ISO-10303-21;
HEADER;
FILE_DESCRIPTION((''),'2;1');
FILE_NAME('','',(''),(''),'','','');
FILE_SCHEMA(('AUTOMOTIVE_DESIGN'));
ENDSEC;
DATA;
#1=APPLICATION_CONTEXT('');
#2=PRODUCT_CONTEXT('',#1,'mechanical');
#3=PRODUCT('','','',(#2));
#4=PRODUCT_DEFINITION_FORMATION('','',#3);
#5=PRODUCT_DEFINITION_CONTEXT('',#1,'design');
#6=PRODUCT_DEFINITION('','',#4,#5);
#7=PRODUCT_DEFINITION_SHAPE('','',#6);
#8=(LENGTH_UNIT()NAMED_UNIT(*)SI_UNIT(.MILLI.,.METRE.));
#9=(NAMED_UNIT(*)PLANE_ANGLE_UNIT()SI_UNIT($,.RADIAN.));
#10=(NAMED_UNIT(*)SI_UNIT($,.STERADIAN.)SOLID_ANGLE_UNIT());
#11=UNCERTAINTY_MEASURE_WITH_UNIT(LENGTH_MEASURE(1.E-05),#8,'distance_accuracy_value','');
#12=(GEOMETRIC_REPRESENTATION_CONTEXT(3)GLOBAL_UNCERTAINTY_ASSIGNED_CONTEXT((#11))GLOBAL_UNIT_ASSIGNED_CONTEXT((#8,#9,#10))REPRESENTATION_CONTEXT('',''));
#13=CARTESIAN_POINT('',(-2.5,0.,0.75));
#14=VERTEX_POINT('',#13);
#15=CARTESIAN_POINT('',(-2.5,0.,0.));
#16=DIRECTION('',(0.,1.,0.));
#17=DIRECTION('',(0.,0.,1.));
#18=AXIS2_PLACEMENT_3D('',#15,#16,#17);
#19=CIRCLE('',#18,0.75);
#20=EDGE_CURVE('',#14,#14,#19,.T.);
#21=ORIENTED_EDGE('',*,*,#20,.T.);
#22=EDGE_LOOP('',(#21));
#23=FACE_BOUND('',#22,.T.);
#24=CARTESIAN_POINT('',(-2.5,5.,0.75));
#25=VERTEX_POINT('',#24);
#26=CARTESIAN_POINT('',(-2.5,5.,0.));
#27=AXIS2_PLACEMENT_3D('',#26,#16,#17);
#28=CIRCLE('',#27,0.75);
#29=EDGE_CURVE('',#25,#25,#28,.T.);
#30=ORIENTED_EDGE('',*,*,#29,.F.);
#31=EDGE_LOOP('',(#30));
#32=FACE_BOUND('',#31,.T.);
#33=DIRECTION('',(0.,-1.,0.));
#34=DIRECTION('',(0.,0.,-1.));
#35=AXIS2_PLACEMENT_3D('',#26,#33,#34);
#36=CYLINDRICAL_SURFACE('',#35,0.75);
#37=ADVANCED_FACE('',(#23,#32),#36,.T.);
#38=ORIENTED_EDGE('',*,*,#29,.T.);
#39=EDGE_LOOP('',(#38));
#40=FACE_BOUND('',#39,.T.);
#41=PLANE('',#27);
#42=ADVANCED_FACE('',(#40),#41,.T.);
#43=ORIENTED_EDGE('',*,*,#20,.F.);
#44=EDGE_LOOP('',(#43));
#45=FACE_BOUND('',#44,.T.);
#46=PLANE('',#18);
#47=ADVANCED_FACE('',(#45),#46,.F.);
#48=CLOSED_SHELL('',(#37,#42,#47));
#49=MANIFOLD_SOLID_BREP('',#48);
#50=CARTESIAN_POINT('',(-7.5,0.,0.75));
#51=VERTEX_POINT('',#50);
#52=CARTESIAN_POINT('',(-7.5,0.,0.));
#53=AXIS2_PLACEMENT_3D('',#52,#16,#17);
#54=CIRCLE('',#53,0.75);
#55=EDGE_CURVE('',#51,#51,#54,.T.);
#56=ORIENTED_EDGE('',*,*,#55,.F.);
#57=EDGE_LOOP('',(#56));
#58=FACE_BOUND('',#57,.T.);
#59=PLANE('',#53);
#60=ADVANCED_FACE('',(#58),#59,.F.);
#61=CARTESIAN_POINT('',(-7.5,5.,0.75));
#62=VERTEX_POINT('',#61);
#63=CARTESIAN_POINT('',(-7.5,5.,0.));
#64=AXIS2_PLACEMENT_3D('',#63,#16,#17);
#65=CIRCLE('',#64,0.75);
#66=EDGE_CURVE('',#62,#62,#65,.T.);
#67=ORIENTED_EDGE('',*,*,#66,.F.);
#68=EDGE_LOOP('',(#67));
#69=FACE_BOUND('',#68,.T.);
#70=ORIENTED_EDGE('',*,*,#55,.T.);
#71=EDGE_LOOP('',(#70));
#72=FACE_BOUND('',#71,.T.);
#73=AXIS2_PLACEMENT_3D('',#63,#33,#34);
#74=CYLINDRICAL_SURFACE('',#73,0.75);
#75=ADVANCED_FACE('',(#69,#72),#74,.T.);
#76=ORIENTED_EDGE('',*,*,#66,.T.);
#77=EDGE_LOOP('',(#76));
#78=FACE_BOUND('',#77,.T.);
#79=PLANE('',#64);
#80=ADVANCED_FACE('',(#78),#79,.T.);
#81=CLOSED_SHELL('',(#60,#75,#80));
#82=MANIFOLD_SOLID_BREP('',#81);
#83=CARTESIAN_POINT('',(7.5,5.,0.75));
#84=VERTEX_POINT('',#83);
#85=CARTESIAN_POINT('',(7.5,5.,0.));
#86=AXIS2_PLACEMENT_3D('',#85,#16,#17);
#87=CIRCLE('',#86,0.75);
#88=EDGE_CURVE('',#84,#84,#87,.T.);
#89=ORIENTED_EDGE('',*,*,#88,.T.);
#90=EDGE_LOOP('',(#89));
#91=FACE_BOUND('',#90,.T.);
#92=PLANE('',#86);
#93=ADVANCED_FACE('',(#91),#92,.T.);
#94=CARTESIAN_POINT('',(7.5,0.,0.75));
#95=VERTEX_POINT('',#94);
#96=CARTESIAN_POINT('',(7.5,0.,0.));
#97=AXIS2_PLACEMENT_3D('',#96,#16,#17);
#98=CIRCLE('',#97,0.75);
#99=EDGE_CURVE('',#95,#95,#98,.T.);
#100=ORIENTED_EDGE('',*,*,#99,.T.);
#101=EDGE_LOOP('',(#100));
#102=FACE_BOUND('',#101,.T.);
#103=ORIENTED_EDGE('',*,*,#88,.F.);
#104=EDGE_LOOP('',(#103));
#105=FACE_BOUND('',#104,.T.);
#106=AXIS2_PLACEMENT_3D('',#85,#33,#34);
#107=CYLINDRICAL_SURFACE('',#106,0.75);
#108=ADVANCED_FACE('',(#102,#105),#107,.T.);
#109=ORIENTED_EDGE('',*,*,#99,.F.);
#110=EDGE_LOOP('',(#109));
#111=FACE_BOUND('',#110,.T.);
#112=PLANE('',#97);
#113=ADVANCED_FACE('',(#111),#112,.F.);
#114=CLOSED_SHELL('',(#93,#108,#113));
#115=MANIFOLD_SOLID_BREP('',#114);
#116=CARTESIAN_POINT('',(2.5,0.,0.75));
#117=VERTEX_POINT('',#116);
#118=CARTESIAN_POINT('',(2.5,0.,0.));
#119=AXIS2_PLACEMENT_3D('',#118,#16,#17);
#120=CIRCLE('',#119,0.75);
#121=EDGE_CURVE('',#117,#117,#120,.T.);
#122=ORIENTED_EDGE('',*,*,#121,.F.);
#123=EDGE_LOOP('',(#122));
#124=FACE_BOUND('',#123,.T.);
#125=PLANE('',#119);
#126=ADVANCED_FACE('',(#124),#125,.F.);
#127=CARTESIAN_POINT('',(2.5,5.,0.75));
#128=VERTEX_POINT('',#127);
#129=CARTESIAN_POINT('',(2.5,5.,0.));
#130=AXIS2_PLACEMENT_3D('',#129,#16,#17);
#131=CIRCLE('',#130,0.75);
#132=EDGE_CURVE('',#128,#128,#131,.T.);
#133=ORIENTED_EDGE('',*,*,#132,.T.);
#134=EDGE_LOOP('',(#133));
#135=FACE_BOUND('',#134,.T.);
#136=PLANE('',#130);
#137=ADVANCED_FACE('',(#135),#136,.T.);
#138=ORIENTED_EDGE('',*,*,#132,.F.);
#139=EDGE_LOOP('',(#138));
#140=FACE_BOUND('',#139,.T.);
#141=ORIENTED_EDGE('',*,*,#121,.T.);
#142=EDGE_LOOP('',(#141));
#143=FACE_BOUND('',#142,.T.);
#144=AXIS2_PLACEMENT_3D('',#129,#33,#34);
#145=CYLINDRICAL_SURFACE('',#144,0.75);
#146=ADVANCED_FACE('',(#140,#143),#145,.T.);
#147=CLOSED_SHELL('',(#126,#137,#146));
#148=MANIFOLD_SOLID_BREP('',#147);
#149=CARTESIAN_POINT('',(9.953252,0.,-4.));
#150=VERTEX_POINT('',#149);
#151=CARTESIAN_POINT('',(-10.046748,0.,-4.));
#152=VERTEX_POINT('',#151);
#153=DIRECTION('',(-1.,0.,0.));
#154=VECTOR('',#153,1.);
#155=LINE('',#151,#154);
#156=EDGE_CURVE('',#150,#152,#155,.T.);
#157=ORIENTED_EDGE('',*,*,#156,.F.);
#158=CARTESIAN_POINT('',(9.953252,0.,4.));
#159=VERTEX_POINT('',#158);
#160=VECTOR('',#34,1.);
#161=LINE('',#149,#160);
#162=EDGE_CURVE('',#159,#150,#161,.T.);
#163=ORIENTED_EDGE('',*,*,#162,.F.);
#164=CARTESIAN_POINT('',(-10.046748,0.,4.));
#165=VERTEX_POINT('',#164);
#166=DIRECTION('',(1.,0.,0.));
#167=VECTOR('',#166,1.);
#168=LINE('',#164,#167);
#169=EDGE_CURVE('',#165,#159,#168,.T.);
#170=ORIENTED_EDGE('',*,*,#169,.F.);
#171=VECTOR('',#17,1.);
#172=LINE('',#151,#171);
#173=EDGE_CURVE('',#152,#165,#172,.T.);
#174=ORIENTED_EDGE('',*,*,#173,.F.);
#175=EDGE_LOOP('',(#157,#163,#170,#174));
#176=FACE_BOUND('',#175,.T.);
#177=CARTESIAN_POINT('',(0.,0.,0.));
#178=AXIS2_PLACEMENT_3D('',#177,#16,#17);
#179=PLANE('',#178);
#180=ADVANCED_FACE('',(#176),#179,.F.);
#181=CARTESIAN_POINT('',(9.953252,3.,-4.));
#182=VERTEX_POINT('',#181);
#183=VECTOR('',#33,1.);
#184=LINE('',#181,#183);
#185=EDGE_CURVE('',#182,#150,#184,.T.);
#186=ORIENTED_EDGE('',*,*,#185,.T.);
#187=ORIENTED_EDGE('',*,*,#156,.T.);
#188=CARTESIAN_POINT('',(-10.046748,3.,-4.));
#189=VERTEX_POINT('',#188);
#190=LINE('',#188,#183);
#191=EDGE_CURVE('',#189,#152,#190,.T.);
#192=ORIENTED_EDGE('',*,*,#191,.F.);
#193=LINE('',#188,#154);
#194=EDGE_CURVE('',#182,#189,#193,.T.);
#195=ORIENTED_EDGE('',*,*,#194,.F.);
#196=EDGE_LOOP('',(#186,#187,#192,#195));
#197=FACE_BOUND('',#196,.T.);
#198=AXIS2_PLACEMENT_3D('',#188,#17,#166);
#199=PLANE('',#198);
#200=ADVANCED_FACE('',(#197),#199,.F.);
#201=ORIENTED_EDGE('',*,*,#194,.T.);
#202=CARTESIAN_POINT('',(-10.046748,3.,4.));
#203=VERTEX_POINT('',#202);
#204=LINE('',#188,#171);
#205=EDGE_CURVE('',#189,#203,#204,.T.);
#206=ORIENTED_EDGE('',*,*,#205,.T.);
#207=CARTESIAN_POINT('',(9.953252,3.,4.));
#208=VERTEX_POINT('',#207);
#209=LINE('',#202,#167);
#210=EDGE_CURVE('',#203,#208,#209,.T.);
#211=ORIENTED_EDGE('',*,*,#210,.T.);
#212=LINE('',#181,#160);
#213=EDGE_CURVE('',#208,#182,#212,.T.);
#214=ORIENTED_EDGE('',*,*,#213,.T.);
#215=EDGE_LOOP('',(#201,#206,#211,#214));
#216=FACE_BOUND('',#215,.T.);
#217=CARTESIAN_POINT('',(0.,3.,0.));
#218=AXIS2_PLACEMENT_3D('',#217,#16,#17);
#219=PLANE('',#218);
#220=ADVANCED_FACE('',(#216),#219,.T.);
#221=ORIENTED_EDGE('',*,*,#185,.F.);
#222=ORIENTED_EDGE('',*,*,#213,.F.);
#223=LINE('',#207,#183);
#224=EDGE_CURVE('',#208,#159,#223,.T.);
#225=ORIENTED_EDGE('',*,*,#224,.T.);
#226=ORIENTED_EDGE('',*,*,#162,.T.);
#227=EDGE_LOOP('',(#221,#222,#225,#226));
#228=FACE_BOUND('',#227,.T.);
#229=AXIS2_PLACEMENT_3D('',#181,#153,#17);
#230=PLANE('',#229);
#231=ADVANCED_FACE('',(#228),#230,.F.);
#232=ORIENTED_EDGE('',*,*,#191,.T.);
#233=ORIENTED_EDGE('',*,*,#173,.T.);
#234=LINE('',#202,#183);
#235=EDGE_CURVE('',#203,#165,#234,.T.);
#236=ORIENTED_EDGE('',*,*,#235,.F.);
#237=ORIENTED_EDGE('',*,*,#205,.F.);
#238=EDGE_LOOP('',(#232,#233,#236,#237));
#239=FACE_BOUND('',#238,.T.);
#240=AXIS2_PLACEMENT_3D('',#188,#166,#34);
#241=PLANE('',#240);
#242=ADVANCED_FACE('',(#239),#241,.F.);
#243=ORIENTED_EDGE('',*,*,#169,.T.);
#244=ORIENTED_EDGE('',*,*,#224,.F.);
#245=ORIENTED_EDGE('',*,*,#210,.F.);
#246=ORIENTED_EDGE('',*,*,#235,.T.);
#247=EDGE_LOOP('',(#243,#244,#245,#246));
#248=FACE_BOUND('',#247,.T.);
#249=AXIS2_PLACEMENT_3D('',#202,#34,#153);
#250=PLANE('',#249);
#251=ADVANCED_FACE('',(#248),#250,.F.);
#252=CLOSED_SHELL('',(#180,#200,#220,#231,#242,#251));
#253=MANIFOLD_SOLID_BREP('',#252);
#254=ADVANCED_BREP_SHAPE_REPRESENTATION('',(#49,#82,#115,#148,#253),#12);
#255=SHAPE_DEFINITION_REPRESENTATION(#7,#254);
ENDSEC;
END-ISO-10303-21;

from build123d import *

# Parameters (mm, degrees)
SKETCH1_W             = 20
SKETCH1_H             = 8
BOSS_EXTRUDE1_DEPTH   = 3
SKETCH2_R             = 0.75
BOSS_EXTRUDE2_DEPTH   = 5
BOSS_EXTRUDE2_2_DEPTH = 5
BOSS_EXTRUDE2_3_DEPTH = 5
BOSS_EXTRUDE2_4_DEPTH = 5


with BuildPart() as part:
    # Sketch1 → Boss-Extrude1 (new body)
    with BuildSketch(Plane(origin=(0, 0, 0), x_dir=(1, 0, 0), z_dir=(0, 1, 0))):
        with Locations((-0.046747686, 0)):
            Rectangle(SKETCH1_W, SKETCH1_H)
    extrude(amount=BOSS_EXTRUDE1_DEPTH)


with BuildPart() as body_2:
    # Sketch2 → Boss-Extrude2 (new body)
    with BuildSketch(Plane(origin=(0, 0, 0), x_dir=(1, 0, 0), z_dir=(0, 1, 0))):
        with Locations(Location((-7.5, 0, 0), (0, 0, 270))):
            Circle(SKETCH2_R)
    extrude(amount=BOSS_EXTRUDE2_DEPTH)


with BuildPart() as body_3:
    # Sketch2 → Boss-Extrude2 2 (new body)
    with BuildSketch(Plane(origin=(0, 0, 0), x_dir=(1, 0, 0), z_dir=(0, 1, 0))):
        with Locations(Location((-2.5, 0, 0), (0, 0, 270))):
            Circle(SKETCH2_R)
    extrude(amount=BOSS_EXTRUDE2_2_DEPTH)


with BuildPart() as body_4:
    # Sketch2 → Boss-Extrude2 3 (new body)
    with BuildSketch(Plane(origin=(0, 0, 0), x_dir=(1, 0, 0), z_dir=(0, 1, 0))):
        with Locations(Location((2.5, 0, 0), (0, 0, 270))):
            Circle(SKETCH2_R)
    extrude(amount=BOSS_EXTRUDE2_3_DEPTH)


with BuildPart() as body_5:
    # Sketch2 → Boss-Extrude2 4 (new body)
    with BuildSketch(Plane(origin=(0, 0, 0), x_dir=(1, 0, 0), z_dir=(0, 1, 0))):
        with Locations(Location((7.5, 0, 0), (0, 0, 270))):
            Circle(SKETCH2_R)
    extrude(amount=BOSS_EXTRUDE2_4_DEPTH)


solid = Compound([part.part, body_2.part, body_3.part, body_4.part, body_5.part])
